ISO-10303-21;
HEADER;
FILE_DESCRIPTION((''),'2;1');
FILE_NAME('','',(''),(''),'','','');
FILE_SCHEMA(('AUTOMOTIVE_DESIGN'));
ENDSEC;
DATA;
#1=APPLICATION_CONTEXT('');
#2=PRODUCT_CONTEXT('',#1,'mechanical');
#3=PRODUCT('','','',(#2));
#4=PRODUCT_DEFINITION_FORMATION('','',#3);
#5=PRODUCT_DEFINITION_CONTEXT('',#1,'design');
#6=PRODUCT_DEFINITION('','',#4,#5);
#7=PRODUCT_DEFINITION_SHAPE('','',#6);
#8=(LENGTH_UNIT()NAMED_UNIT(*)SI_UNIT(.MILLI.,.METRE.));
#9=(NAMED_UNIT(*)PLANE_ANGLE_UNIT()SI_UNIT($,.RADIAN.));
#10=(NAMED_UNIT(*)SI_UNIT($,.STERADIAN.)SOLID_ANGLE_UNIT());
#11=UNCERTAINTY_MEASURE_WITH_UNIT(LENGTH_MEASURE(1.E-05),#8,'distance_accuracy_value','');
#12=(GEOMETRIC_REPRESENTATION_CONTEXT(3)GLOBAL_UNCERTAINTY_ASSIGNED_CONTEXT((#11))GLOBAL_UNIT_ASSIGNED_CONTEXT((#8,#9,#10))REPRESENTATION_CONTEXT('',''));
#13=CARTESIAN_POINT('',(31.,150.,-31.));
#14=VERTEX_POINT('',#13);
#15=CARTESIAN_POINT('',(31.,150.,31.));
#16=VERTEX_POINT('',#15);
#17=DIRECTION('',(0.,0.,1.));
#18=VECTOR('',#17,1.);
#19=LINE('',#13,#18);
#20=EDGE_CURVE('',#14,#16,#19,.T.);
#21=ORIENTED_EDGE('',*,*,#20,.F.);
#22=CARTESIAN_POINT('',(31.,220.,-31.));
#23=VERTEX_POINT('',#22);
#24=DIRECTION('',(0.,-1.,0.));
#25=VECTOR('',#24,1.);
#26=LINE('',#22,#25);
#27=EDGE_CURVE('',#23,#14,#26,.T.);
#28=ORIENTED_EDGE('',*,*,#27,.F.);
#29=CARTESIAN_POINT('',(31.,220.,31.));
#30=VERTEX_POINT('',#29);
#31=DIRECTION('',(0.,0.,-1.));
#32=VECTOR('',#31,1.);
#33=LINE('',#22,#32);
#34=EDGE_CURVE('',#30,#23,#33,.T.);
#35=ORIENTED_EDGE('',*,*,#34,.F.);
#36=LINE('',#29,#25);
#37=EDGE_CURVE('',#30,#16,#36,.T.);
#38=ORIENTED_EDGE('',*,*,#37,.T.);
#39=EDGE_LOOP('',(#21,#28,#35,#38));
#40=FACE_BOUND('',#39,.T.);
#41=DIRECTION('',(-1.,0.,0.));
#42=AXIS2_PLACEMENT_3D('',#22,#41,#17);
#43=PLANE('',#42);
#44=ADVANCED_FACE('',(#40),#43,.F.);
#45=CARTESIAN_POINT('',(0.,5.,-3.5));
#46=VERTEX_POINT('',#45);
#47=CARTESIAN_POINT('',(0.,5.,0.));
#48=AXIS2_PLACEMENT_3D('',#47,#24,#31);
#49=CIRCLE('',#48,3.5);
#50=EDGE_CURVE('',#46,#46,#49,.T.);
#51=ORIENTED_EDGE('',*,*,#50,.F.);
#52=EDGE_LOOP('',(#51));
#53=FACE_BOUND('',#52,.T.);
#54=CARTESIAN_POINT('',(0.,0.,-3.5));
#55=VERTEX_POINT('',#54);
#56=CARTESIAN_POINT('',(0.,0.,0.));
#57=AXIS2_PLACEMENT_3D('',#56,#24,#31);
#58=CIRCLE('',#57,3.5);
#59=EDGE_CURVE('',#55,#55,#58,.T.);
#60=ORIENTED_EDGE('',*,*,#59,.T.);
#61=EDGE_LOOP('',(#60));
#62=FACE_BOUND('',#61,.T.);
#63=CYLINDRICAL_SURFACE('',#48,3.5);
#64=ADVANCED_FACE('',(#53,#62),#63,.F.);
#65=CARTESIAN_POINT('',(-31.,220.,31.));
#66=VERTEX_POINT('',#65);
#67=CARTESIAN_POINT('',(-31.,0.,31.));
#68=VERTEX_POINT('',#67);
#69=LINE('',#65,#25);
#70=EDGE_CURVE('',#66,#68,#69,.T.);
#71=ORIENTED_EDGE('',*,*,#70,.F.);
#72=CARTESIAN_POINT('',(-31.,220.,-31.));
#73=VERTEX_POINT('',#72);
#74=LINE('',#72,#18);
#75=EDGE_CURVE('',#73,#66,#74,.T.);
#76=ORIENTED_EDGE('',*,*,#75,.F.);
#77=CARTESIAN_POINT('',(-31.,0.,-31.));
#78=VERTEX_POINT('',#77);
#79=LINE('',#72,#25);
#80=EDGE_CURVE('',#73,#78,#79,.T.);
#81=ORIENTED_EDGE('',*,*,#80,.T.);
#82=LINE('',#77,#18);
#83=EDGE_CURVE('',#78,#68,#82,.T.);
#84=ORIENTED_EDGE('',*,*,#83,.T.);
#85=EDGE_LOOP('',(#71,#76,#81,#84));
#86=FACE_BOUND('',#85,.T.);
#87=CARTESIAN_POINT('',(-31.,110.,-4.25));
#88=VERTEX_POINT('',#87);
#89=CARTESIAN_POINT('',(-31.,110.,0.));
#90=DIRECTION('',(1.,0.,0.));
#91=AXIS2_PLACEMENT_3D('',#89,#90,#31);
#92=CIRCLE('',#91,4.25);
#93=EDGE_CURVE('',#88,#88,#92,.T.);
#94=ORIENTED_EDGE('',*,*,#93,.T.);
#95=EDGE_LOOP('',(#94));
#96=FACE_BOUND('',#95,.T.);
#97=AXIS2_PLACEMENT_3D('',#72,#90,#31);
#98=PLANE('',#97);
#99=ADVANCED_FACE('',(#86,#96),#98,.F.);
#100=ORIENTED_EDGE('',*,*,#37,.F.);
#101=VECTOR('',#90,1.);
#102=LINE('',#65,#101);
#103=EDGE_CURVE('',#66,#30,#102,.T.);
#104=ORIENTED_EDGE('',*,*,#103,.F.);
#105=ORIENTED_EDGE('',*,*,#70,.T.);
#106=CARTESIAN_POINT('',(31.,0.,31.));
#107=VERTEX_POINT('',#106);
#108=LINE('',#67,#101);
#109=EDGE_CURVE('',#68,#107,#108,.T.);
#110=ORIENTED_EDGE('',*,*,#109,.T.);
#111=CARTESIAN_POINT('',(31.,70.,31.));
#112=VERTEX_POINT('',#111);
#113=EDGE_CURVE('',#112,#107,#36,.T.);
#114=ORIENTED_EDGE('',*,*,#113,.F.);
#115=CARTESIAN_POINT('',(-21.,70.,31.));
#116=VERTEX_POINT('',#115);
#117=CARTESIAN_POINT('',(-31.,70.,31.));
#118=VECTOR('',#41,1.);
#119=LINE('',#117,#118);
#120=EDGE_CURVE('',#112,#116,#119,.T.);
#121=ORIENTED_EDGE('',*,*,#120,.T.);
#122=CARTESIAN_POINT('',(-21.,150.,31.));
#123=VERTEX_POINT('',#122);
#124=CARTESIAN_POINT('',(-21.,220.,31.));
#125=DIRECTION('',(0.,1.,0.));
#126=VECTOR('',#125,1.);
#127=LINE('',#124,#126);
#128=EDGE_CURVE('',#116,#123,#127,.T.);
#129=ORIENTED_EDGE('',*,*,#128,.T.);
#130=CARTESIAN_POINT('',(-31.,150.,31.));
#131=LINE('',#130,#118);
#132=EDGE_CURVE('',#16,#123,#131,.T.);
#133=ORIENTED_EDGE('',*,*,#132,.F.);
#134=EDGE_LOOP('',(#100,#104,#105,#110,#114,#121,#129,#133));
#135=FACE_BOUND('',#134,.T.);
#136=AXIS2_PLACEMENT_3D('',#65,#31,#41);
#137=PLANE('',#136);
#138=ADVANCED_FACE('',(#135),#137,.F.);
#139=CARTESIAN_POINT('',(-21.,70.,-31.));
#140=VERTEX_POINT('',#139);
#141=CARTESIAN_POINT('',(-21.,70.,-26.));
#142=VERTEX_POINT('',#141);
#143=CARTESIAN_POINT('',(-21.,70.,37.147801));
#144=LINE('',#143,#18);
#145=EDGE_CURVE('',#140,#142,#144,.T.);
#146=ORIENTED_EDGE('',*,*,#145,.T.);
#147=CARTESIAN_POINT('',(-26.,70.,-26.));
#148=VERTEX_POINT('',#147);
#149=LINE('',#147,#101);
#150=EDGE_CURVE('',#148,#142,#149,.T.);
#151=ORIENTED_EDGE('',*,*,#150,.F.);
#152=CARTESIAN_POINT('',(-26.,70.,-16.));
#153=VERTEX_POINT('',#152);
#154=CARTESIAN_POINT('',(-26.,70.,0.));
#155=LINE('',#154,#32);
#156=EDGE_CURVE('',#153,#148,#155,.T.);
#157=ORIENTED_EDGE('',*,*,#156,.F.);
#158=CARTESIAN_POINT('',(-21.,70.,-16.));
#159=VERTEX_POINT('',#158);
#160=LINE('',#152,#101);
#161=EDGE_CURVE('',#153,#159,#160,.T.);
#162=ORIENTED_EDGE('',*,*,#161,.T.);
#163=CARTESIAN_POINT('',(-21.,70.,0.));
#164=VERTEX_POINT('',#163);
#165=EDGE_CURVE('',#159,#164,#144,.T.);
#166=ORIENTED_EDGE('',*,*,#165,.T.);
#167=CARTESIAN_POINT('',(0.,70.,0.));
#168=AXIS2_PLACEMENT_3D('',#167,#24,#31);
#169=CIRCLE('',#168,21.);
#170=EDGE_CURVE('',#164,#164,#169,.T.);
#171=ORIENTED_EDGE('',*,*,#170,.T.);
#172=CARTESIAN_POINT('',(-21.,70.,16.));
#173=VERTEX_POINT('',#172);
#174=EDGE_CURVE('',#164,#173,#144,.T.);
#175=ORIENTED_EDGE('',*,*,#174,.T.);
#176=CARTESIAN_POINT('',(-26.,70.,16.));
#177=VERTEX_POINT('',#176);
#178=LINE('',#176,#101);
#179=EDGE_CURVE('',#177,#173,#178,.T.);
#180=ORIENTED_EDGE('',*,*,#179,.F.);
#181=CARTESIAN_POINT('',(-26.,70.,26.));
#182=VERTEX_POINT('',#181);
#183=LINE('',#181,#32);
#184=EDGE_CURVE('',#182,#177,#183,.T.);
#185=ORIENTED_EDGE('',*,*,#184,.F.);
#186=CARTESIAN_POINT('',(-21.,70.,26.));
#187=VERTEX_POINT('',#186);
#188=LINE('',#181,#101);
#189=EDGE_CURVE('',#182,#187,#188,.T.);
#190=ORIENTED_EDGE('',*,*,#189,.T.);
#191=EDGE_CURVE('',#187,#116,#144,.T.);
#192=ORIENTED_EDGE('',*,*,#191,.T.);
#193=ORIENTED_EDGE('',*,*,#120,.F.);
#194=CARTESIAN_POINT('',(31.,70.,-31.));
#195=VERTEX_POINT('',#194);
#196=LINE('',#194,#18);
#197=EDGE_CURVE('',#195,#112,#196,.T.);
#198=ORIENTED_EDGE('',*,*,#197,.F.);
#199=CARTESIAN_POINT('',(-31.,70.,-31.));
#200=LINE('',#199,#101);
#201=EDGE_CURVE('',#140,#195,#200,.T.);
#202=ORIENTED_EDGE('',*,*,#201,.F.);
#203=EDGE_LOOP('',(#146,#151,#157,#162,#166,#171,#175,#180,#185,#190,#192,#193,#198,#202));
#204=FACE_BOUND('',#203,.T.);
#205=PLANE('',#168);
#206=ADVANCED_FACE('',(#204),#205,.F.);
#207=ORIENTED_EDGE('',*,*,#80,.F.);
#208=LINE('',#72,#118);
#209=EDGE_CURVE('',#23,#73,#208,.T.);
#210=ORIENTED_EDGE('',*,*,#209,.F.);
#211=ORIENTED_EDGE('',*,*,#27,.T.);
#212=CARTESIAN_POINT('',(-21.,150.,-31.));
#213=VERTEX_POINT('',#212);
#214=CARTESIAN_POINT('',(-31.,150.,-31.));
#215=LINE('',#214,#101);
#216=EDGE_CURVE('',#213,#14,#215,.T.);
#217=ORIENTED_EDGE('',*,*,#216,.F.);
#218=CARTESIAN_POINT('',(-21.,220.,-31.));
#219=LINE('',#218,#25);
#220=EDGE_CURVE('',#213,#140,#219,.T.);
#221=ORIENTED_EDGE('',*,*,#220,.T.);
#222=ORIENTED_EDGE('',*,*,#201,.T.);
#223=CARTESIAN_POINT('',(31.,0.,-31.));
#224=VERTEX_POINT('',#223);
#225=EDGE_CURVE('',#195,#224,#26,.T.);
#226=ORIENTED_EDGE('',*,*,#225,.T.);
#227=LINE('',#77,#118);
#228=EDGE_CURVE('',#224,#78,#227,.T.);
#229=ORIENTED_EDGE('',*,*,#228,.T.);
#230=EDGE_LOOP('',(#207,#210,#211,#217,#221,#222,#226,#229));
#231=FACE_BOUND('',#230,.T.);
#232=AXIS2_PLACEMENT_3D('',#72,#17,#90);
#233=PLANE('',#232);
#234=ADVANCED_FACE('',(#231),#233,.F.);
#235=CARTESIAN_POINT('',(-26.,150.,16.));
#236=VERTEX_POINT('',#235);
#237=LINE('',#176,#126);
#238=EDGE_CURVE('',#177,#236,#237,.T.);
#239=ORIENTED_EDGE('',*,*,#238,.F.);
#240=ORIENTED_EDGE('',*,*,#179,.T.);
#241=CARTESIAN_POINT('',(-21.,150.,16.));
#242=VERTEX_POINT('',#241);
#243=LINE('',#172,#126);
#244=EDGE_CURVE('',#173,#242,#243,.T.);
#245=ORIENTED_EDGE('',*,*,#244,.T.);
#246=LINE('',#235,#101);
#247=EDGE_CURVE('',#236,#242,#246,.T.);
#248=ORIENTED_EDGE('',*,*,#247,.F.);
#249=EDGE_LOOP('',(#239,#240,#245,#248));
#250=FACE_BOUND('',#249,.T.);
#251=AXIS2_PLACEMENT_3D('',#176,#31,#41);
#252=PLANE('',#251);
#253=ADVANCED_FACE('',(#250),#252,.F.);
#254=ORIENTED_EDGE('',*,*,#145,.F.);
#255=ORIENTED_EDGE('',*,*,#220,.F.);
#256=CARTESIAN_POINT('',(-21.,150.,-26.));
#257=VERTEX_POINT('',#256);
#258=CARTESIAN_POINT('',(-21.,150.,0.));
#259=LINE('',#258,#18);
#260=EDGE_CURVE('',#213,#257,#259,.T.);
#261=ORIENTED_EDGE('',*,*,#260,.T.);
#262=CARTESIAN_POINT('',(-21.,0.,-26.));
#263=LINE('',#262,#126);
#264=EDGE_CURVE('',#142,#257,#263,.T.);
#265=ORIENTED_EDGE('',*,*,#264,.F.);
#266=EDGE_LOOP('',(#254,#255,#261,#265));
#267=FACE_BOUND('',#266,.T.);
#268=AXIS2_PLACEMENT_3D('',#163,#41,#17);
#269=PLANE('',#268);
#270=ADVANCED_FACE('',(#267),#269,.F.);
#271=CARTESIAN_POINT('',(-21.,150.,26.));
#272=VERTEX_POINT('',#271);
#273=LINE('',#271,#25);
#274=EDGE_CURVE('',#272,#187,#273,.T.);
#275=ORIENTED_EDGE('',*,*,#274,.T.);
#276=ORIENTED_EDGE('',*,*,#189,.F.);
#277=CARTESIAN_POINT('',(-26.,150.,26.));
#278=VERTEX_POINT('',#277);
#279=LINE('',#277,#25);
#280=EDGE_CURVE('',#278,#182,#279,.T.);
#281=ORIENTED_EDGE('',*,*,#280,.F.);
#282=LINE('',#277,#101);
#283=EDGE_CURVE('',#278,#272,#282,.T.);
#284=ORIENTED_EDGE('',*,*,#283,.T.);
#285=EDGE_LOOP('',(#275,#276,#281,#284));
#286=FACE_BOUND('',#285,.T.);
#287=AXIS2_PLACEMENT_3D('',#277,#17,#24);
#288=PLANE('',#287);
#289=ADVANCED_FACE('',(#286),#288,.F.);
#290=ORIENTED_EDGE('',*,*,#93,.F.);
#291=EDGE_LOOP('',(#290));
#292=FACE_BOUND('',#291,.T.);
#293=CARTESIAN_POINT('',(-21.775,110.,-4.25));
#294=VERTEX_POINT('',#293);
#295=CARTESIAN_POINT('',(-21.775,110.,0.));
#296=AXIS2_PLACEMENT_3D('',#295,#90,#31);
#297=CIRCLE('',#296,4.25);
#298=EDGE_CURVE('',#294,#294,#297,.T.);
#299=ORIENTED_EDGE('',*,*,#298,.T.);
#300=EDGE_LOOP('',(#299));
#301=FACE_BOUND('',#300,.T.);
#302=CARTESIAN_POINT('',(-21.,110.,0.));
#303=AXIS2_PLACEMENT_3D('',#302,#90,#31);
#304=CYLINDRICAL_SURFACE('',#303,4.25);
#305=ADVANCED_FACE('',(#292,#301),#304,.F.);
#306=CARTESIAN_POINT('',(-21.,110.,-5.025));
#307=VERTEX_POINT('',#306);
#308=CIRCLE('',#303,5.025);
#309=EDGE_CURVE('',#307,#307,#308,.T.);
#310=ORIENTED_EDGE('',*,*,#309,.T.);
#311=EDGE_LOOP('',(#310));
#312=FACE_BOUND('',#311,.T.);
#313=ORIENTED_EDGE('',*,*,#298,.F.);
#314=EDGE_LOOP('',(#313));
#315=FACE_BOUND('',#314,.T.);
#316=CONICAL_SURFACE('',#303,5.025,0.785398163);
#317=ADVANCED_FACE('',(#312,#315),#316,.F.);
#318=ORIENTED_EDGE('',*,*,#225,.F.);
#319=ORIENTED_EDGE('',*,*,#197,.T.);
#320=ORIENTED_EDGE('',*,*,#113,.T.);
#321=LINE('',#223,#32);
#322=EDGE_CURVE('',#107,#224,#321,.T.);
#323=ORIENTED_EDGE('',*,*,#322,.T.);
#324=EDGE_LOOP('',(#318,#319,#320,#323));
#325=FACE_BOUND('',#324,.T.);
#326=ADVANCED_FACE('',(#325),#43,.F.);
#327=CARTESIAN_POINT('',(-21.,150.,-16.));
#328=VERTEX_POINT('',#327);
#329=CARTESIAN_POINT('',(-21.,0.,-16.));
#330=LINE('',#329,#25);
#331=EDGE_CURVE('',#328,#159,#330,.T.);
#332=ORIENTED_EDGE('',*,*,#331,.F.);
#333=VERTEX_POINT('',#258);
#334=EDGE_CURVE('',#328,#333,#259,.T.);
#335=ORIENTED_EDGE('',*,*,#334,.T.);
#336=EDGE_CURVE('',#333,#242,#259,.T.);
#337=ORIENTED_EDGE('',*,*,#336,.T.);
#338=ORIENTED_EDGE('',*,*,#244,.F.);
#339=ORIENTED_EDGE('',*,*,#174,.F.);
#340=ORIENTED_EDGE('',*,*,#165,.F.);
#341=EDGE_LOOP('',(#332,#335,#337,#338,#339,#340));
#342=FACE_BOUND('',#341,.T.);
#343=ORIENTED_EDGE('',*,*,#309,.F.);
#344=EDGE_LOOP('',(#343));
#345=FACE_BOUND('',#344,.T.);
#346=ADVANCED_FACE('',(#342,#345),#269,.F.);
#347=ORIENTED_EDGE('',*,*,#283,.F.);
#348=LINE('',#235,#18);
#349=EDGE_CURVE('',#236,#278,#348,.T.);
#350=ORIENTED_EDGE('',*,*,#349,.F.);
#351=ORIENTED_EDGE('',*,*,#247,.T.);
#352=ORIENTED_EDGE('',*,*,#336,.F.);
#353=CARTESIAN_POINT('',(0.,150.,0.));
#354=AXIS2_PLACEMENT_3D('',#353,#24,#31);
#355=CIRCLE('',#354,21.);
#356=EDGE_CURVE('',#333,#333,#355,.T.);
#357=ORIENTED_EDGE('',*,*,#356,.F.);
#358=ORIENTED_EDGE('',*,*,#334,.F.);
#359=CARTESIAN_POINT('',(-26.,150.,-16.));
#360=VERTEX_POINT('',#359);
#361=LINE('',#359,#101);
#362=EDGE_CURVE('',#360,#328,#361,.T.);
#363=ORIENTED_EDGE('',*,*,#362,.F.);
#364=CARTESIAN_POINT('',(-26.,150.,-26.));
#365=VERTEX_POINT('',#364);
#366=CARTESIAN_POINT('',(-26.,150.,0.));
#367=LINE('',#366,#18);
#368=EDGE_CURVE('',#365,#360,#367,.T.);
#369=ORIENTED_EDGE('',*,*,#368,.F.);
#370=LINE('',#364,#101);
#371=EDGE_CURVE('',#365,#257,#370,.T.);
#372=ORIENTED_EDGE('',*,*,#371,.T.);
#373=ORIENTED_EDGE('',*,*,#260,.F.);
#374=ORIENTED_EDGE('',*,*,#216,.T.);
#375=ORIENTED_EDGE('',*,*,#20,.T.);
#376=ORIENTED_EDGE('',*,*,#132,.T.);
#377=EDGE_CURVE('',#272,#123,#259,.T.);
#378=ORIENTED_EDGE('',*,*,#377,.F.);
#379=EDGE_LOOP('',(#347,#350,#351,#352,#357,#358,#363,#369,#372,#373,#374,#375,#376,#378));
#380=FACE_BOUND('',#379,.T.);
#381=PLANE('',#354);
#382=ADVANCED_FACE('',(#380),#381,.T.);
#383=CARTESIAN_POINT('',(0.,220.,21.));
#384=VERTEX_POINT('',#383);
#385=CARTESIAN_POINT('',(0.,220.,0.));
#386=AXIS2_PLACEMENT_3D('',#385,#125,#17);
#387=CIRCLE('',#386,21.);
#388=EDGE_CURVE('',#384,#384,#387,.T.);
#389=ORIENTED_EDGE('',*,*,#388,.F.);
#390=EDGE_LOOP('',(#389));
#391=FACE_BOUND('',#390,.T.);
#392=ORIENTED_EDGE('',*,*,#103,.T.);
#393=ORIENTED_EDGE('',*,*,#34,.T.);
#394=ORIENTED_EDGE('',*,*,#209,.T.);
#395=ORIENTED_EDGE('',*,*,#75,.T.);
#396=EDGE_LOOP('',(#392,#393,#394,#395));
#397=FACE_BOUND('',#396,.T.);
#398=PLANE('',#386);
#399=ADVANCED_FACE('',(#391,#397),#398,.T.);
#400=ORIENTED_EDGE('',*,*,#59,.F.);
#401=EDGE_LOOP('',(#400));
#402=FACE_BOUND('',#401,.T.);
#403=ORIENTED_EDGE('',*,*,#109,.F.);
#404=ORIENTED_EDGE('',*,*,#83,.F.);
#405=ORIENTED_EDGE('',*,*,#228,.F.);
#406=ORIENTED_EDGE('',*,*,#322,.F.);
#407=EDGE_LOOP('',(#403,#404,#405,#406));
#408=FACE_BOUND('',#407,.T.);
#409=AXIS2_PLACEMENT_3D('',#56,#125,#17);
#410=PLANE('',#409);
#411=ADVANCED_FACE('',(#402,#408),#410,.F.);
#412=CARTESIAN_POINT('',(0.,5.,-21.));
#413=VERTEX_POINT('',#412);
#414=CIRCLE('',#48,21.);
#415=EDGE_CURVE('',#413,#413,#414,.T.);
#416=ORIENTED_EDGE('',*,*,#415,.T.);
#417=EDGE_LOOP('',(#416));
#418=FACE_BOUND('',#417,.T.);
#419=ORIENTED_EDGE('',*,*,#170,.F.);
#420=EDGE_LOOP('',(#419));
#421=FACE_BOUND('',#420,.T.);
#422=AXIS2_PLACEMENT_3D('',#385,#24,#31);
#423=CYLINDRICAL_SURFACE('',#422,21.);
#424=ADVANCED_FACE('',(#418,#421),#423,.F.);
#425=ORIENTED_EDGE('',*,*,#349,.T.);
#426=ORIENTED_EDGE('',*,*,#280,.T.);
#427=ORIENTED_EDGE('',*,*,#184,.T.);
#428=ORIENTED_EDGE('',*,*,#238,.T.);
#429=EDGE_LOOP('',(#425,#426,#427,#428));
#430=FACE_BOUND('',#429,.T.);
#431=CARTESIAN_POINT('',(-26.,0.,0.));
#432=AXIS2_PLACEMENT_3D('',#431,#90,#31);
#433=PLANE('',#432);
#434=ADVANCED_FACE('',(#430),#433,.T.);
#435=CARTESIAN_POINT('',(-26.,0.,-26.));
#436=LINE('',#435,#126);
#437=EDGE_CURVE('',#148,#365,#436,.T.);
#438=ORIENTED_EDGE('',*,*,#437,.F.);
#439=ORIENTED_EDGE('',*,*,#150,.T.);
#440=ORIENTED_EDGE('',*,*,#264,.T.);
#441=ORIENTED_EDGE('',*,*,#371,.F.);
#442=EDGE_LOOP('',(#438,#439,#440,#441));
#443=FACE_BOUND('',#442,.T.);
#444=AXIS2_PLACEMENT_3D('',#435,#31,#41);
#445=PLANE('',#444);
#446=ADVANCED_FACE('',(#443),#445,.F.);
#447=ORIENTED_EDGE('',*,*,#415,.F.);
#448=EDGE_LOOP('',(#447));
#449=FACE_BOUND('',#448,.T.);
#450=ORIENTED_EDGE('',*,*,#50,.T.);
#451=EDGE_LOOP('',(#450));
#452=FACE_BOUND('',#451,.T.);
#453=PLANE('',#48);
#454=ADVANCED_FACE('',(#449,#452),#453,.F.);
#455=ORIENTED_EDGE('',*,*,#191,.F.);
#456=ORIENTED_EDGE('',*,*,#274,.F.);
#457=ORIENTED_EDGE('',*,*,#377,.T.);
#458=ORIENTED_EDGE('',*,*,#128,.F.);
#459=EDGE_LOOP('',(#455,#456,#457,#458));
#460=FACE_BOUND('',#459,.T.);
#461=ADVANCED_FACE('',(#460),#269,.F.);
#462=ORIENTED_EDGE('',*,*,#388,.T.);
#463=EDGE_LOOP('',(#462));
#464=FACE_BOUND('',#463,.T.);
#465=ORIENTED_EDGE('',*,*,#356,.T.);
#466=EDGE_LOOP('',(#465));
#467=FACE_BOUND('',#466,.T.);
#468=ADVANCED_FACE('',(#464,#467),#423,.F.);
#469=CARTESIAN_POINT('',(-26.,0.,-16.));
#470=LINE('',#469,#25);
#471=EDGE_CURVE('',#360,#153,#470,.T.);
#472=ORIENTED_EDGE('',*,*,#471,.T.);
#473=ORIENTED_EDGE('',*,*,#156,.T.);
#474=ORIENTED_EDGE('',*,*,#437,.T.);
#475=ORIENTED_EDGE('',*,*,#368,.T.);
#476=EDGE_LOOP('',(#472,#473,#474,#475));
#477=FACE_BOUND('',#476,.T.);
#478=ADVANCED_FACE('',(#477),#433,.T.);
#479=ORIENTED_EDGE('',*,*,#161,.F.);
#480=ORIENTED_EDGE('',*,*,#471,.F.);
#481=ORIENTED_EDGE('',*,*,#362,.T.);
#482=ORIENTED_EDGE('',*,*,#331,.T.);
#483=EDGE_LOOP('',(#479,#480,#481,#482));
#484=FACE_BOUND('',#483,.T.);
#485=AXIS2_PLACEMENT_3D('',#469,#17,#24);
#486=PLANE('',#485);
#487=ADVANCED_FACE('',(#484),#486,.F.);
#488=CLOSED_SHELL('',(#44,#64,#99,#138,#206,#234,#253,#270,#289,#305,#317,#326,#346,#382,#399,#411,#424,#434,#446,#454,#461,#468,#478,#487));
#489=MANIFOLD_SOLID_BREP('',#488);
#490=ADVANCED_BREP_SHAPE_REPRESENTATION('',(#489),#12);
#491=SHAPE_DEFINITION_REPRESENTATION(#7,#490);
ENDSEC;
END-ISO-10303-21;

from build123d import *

# Parameters (mm, degrees)
SKETCH_2_W                    = 62
SKETCH_2_H                    = 62
SKETCH_2_R                    = 21
EXTRUDE_2_DEPTH               = 220
SKETCH_4_R                    = 21
SKETCH_4_R_2                  = 3.5
EXTRUDE_3_DEPTH               = 5
CUT_EXTRUDE_1_DEPTH           = 40
HOLE_WIZARD_M10_1_D           = 8.5
HOLE_WIZARD_M10_1_CSINK_D     = 10.05
HOLE_WIZARD_M10_1_CSINK_ANGLE = 90
SKETCH_7_W                    = 10
SKETCH_7_H                    = 80
CUT_EXTRUDE_2_DEPTH           = 5
SKETCH_10_W                   = 10
SKETCH_10_H                   = 80
CUT_EXTRUDE_3_DEPTH           = 5


with BuildPart() as part:
    # 草图2 → 凸台-拉伸2 (new body)
    with BuildSketch(Plane(origin=(0, 0, 0), x_dir=(1, 0, 0), z_dir=(0, 1, 0))):
        Rectangle(SKETCH_2_W, SKETCH_2_H)
        with Locations(Location((0, 0, 0), (0, 0, 270))):
            Circle(SKETCH_2_R, mode=Mode.SUBTRACT)
    extrude(amount=EXTRUDE_2_DEPTH)

    # 草图4 → 凸台-拉伸3 (add)
    with BuildSketch(Plane.XZ):
        with Locations(Location((0, 0, 0), (0, 0, 270))):
            Circle(SKETCH_4_R)
        with Locations(Location((0, 0, 0), (0, 0, 270))):
            Circle(SKETCH_4_R_2, mode=Mode.SUBTRACT)
    extrude(amount=-EXTRUDE_3_DEPTH)

    # 草图3 → 切除-拉伸1 (cut, symmetric)
    with BuildSketch(Plane(origin=(0, 110, 0), x_dir=(1, 0, 0), z_dir=(0, 1, 0))):
        Polygon((-21, 0), (-21, 36.73556218), (47.200279586, 36.73556218), (47.200279586, -37.147800903), (-21, -37.147800903), align=None)
    extrude(amount=CUT_EXTRUDE_1_DEPTH, both=True, mode=Mode.SUBTRACT)

    # M10 螺纹孔1 (through all)
    with Locations(Plane(origin=(-21, 110, 0), x_dir=(0, 0, 1), z_dir=(1, 0, 0))):
        with Locations((0, 0)):
            CounterSinkHole(HOLE_WIZARD_M10_1_D / 2, HOLE_WIZARD_M10_1_CSINK_D / 2, counter_sink_angle=HOLE_WIZARD_M10_1_CSINK_ANGLE)

    # 草图7 → 切除-拉伸2 (cut)
    with BuildSketch(Plane(origin=(-21, 0, 0), x_dir=(0, 0, -1), z_dir=(1, 0, 0))):
        with Locations((21, 110)):
            Rectangle(SKETCH_7_W, SKETCH_7_H)
    extrude(amount=-CUT_EXTRUDE_2_DEPTH, mode=Mode.SUBTRACT)

    # 草图10 → 切除-拉伸3 (cut)
    with BuildSketch(Plane(origin=(-21, 0, 0), x_dir=(0, 0, -1), z_dir=(1, 0, 0))):
        with Locations((-21, 110)):
            Rectangle(SKETCH_10_W, SKETCH_10_H)
    extrude(amount=-CUT_EXTRUDE_3_DEPTH, mode=Mode.SUBTRACT)


solid = part.part
